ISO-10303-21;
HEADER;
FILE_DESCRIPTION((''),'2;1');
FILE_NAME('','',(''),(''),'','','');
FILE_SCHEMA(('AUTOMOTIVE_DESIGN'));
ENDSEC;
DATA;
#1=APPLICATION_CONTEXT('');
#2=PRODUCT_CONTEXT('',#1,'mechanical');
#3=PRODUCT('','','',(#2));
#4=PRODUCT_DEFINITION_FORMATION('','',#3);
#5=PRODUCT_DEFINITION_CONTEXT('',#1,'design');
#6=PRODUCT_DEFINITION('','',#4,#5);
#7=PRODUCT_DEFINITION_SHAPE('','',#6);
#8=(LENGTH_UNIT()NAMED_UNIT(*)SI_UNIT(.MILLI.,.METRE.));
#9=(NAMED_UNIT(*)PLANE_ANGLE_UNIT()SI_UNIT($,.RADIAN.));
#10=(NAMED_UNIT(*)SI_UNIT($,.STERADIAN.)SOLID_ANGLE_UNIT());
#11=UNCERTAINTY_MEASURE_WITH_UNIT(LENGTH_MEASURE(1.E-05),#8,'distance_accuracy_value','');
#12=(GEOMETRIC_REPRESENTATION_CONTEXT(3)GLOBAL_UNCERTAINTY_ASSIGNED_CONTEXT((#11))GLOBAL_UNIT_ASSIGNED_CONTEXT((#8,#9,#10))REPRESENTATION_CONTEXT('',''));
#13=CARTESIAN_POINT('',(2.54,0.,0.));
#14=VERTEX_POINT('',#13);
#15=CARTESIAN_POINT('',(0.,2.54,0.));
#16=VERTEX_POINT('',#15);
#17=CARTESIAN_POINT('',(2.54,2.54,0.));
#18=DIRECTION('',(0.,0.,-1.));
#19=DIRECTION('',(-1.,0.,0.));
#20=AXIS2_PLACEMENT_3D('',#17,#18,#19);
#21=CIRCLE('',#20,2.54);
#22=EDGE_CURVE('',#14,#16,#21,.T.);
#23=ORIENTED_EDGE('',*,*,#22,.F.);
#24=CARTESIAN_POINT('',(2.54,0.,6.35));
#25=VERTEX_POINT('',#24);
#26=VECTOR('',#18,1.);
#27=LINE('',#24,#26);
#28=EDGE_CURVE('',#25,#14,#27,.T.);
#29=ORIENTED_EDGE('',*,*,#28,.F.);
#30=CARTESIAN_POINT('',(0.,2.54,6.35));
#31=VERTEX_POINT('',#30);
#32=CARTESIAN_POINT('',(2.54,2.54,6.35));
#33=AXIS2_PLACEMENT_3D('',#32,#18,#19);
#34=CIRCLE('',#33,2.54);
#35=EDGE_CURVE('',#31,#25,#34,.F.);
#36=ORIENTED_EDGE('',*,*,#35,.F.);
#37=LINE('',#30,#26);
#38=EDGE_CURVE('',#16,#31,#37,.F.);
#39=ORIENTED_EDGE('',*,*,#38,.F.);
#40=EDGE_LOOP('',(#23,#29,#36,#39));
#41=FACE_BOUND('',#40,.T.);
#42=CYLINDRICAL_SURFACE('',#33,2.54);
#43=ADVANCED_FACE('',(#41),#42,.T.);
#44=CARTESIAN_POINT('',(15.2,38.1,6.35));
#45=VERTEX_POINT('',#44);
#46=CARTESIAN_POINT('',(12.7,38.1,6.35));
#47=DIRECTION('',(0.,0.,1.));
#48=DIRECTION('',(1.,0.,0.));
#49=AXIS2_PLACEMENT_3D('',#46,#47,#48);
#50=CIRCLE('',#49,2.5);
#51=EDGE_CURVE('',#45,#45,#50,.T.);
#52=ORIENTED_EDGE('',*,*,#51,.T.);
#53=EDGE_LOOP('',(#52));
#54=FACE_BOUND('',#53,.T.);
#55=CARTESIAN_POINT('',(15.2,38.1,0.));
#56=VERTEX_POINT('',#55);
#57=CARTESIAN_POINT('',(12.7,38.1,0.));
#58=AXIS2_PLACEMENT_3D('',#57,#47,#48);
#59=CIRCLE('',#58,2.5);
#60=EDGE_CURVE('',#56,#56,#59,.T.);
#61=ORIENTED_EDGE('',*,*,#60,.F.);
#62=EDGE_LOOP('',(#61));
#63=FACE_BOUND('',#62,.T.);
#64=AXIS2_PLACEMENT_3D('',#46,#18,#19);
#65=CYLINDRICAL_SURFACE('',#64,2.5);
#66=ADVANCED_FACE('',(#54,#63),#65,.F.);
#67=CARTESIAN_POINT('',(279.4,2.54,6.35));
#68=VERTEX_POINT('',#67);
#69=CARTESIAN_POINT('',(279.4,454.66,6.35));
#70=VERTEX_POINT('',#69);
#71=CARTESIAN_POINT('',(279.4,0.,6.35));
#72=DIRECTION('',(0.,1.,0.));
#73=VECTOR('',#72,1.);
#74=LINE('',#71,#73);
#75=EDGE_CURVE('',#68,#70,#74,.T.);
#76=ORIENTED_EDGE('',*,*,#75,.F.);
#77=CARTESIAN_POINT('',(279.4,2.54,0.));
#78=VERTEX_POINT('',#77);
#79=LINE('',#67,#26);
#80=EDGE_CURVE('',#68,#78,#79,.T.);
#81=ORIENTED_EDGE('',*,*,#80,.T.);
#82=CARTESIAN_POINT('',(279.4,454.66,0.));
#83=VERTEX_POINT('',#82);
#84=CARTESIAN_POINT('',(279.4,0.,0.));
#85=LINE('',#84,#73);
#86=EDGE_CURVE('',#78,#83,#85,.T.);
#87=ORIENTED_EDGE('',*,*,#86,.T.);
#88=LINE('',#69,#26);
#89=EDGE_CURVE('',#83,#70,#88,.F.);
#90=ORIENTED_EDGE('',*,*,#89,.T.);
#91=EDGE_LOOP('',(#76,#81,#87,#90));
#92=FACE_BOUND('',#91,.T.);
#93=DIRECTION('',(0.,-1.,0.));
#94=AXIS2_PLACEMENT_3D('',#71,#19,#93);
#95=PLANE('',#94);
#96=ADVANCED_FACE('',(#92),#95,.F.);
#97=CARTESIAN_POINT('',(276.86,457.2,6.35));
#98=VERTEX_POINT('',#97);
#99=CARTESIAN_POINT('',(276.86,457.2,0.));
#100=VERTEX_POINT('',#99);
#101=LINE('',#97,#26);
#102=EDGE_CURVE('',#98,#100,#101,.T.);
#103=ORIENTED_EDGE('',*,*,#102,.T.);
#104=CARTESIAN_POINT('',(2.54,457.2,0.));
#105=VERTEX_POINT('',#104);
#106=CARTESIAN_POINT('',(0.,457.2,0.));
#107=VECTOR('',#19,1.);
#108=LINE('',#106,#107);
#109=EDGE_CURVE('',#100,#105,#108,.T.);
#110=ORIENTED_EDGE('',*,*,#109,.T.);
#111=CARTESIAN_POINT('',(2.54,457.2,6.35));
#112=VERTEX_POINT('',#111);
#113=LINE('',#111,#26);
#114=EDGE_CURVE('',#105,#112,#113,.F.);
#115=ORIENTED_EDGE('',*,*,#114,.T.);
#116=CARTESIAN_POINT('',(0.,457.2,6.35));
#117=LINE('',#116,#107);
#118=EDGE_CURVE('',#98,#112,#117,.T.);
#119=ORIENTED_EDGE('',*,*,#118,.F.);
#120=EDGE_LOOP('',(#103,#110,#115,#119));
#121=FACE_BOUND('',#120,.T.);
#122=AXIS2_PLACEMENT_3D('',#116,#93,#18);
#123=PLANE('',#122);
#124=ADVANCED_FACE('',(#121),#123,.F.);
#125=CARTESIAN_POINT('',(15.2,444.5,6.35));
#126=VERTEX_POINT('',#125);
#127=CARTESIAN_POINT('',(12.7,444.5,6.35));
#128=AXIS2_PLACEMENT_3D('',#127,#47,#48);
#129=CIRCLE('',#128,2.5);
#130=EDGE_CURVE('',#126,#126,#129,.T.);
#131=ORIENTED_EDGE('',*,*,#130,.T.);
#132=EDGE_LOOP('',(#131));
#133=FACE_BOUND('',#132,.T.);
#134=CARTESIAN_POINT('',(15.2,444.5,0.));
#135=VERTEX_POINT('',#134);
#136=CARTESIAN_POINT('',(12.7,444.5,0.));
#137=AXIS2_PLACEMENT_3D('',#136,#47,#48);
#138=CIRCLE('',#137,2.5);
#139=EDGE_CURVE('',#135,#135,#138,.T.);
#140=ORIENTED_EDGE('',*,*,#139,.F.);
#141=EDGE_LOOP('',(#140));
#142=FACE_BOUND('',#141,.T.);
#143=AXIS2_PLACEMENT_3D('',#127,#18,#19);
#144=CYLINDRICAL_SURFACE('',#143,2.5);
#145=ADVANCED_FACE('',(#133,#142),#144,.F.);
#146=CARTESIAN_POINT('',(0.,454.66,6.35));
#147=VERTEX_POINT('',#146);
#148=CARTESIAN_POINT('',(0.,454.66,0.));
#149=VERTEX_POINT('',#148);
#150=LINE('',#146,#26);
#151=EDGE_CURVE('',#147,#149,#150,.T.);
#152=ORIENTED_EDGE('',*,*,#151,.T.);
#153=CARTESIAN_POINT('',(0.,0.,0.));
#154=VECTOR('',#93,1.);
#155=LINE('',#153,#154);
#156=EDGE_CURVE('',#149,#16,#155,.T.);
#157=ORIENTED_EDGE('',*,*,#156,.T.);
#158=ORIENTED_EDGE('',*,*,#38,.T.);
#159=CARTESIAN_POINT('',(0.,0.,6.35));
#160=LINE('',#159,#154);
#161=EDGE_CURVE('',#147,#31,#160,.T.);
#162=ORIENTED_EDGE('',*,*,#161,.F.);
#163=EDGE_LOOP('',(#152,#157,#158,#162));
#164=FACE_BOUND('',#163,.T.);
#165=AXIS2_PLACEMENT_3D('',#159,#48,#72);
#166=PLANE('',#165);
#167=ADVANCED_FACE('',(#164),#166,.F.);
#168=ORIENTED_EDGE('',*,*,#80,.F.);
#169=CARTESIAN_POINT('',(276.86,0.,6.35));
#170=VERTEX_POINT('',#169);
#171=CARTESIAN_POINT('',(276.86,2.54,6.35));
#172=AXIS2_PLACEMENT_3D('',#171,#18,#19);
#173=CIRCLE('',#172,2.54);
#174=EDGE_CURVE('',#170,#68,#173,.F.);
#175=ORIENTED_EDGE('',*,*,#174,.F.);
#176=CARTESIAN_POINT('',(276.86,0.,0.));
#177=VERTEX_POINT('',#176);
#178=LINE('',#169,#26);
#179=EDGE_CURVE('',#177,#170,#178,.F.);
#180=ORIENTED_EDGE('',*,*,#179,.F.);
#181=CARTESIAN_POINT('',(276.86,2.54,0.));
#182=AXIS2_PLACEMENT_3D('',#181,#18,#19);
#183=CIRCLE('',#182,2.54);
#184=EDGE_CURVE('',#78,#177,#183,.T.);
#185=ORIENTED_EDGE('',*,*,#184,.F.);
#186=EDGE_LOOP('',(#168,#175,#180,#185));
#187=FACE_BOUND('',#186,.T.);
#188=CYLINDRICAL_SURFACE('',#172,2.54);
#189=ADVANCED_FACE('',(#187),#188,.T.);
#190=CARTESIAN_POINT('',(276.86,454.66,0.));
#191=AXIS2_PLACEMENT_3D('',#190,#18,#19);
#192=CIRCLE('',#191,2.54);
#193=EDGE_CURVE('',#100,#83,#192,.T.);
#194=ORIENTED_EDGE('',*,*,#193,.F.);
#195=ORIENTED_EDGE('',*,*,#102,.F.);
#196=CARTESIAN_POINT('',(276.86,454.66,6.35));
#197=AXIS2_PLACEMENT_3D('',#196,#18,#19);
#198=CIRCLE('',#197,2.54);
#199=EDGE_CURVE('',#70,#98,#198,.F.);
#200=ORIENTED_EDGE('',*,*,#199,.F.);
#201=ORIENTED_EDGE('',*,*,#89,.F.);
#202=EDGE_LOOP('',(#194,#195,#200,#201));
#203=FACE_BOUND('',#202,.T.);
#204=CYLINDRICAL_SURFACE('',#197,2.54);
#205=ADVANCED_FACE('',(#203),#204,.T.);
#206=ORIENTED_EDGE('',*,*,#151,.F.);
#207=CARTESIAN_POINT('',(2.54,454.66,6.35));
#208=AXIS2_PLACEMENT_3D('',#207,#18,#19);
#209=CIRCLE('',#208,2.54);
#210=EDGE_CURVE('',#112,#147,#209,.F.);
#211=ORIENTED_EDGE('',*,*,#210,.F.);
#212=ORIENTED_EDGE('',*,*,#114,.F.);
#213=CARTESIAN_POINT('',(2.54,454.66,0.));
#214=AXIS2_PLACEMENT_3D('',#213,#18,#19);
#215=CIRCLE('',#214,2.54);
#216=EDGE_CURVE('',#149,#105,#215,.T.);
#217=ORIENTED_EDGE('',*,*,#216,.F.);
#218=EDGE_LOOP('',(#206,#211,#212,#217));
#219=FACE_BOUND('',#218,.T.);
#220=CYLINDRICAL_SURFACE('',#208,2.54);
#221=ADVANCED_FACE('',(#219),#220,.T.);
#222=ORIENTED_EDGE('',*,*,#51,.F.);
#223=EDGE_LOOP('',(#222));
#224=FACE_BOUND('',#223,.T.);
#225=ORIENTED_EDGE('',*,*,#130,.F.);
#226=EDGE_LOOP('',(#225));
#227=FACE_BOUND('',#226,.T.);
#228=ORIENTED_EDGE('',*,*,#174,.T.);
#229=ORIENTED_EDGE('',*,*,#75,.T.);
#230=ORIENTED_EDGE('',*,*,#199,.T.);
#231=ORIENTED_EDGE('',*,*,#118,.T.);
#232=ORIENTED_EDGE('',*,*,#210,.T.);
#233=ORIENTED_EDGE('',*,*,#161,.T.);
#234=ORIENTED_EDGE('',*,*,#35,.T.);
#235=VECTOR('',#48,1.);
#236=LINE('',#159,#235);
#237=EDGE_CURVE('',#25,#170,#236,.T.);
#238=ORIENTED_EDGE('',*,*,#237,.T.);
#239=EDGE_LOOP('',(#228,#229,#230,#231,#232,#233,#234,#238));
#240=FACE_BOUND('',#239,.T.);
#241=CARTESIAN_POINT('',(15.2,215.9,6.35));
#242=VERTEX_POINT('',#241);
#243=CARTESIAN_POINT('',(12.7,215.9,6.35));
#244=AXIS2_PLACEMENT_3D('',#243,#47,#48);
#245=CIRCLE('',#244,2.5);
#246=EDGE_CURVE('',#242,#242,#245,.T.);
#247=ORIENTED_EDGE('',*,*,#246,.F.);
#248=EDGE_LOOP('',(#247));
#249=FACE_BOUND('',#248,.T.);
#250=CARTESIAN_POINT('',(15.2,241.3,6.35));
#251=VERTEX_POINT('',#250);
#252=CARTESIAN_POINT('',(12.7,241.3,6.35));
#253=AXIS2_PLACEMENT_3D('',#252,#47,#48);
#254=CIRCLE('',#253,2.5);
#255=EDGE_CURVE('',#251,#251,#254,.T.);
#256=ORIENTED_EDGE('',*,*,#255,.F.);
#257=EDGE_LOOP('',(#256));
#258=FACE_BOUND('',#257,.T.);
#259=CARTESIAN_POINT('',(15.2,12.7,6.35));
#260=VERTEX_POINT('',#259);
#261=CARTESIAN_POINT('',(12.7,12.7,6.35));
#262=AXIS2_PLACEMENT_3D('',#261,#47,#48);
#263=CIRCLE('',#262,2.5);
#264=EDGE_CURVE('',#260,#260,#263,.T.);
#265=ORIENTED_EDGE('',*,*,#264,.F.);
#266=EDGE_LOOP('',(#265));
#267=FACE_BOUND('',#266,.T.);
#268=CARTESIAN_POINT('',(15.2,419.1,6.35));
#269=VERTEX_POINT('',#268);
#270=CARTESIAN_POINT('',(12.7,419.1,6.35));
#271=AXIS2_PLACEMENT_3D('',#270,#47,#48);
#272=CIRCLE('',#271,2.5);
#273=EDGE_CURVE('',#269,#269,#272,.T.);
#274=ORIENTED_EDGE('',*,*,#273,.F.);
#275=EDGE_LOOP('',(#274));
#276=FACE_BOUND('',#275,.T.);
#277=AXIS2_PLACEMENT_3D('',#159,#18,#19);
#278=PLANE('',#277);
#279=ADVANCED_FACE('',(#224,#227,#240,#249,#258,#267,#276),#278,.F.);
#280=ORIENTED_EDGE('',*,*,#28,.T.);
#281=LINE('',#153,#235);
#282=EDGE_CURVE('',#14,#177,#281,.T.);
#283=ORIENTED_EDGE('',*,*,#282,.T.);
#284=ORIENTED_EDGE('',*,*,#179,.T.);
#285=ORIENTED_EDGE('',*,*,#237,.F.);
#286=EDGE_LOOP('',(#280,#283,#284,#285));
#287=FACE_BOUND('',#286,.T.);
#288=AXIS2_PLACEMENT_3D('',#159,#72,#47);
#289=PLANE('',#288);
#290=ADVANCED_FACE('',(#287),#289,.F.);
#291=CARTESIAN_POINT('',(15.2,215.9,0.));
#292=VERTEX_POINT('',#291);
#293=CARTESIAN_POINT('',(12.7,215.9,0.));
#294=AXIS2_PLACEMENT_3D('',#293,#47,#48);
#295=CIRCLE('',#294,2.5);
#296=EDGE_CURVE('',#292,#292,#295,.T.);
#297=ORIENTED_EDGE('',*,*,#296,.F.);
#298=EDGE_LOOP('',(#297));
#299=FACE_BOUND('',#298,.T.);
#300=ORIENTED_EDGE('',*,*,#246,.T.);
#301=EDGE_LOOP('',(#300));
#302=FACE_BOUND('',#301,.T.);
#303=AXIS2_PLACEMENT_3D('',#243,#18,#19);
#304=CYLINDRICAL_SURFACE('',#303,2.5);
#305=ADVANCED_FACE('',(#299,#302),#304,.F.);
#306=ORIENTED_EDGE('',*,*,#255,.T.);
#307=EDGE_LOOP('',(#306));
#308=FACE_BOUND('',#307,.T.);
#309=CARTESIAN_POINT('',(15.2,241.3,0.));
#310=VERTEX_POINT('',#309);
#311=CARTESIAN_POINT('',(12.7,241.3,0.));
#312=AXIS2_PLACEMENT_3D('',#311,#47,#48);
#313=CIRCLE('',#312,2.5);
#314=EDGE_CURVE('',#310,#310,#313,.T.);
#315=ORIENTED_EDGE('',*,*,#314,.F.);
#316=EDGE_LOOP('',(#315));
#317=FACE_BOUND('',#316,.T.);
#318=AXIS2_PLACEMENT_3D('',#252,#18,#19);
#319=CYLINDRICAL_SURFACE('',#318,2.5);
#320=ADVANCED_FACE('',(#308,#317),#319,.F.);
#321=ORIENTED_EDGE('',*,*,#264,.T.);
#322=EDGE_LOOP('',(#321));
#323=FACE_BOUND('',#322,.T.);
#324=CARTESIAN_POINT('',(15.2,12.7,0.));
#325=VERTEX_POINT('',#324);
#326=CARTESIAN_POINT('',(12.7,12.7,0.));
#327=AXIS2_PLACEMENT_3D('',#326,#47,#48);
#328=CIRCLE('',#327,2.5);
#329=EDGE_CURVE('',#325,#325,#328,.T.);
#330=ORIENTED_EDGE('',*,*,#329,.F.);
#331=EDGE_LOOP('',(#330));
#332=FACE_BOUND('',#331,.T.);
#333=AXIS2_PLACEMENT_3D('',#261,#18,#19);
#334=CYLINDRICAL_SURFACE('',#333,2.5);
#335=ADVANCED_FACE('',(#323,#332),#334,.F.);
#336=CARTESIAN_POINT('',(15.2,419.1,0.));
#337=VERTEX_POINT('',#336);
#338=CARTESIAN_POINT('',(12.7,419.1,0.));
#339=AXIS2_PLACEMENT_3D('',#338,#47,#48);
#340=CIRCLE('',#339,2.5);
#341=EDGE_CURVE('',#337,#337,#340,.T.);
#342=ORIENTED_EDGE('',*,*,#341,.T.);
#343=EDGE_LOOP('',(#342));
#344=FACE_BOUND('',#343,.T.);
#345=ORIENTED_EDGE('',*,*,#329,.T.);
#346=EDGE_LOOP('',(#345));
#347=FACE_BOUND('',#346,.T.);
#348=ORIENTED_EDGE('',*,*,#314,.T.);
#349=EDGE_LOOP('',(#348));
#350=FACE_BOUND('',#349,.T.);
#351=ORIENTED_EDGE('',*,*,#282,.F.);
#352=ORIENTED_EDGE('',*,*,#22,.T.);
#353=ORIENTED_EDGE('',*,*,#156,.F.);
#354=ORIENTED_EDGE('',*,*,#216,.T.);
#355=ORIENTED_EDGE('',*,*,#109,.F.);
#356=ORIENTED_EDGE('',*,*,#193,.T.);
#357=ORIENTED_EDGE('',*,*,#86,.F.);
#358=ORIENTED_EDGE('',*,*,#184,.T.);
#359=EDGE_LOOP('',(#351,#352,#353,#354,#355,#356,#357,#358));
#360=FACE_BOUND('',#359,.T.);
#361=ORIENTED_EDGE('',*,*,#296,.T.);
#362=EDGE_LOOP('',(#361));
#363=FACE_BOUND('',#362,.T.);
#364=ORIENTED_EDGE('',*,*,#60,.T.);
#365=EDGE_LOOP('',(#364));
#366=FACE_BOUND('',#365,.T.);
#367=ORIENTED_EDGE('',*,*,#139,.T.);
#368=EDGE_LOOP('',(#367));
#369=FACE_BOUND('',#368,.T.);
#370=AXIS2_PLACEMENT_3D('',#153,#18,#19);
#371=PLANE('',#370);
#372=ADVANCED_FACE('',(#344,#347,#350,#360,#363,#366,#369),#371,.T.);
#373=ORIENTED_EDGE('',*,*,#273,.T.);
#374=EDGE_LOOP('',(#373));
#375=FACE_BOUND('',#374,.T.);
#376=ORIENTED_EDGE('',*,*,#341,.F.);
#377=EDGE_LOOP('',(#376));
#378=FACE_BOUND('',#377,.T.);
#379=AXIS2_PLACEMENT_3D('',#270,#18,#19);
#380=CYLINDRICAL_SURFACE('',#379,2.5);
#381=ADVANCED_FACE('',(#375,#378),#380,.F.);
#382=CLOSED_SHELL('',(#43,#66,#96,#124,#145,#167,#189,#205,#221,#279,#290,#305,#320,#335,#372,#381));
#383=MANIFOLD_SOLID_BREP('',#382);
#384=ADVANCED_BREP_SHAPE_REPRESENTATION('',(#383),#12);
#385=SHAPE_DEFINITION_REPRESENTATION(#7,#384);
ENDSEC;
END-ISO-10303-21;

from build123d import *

# Parameters (mm, degrees)
SKETCH1_W           = 279.4
SKETCH1_H           = 457.2
SKETCH1_R           = 2.5
BOSS_EXTRUDE1_DEPTH = 6.35
FILLET1_R           = 2.54


with BuildPart() as part:
    # Sketch1 → Boss-Extrude1 (new body)
    with BuildSketch(Plane.XY):
        with Locations((139.7, 228.6)):
            Rectangle(SKETCH1_W, SKETCH1_H)
        with Locations((12.7, 444.5)):
            Circle(SKETCH1_R, mode=Mode.SUBTRACT)
        with Locations((12.7, 419.1)):
            Circle(SKETCH1_R, mode=Mode.SUBTRACT)
        with Locations((12.7, 241.3)):
            Circle(SKETCH1_R, mode=Mode.SUBTRACT)
        with Locations((12.7, 215.9)):
            Circle(SKETCH1_R, mode=Mode.SUBTRACT)
        with Locations((12.7, 38.1)):
            Circle(SKETCH1_R, mode=Mode.SUBTRACT)
        with Locations((12.7, 12.7)):
            Circle(SKETCH1_R, mode=Mode.SUBTRACT)
    extrude(amount=BOSS_EXTRUDE1_DEPTH)

    # Fillet1
    fillet1_edges = [part.edges().sort_by_distance(p)[0] for p in [
        (0, 457.2, 3.175),
        (279.4, 457.2, 3.175),
        (279.4, 0, 3.175),
        (0, 0, 3.175),
    ]]
    fillet(fillet1_edges, radius=FILLET1_R)


solid = part.part
